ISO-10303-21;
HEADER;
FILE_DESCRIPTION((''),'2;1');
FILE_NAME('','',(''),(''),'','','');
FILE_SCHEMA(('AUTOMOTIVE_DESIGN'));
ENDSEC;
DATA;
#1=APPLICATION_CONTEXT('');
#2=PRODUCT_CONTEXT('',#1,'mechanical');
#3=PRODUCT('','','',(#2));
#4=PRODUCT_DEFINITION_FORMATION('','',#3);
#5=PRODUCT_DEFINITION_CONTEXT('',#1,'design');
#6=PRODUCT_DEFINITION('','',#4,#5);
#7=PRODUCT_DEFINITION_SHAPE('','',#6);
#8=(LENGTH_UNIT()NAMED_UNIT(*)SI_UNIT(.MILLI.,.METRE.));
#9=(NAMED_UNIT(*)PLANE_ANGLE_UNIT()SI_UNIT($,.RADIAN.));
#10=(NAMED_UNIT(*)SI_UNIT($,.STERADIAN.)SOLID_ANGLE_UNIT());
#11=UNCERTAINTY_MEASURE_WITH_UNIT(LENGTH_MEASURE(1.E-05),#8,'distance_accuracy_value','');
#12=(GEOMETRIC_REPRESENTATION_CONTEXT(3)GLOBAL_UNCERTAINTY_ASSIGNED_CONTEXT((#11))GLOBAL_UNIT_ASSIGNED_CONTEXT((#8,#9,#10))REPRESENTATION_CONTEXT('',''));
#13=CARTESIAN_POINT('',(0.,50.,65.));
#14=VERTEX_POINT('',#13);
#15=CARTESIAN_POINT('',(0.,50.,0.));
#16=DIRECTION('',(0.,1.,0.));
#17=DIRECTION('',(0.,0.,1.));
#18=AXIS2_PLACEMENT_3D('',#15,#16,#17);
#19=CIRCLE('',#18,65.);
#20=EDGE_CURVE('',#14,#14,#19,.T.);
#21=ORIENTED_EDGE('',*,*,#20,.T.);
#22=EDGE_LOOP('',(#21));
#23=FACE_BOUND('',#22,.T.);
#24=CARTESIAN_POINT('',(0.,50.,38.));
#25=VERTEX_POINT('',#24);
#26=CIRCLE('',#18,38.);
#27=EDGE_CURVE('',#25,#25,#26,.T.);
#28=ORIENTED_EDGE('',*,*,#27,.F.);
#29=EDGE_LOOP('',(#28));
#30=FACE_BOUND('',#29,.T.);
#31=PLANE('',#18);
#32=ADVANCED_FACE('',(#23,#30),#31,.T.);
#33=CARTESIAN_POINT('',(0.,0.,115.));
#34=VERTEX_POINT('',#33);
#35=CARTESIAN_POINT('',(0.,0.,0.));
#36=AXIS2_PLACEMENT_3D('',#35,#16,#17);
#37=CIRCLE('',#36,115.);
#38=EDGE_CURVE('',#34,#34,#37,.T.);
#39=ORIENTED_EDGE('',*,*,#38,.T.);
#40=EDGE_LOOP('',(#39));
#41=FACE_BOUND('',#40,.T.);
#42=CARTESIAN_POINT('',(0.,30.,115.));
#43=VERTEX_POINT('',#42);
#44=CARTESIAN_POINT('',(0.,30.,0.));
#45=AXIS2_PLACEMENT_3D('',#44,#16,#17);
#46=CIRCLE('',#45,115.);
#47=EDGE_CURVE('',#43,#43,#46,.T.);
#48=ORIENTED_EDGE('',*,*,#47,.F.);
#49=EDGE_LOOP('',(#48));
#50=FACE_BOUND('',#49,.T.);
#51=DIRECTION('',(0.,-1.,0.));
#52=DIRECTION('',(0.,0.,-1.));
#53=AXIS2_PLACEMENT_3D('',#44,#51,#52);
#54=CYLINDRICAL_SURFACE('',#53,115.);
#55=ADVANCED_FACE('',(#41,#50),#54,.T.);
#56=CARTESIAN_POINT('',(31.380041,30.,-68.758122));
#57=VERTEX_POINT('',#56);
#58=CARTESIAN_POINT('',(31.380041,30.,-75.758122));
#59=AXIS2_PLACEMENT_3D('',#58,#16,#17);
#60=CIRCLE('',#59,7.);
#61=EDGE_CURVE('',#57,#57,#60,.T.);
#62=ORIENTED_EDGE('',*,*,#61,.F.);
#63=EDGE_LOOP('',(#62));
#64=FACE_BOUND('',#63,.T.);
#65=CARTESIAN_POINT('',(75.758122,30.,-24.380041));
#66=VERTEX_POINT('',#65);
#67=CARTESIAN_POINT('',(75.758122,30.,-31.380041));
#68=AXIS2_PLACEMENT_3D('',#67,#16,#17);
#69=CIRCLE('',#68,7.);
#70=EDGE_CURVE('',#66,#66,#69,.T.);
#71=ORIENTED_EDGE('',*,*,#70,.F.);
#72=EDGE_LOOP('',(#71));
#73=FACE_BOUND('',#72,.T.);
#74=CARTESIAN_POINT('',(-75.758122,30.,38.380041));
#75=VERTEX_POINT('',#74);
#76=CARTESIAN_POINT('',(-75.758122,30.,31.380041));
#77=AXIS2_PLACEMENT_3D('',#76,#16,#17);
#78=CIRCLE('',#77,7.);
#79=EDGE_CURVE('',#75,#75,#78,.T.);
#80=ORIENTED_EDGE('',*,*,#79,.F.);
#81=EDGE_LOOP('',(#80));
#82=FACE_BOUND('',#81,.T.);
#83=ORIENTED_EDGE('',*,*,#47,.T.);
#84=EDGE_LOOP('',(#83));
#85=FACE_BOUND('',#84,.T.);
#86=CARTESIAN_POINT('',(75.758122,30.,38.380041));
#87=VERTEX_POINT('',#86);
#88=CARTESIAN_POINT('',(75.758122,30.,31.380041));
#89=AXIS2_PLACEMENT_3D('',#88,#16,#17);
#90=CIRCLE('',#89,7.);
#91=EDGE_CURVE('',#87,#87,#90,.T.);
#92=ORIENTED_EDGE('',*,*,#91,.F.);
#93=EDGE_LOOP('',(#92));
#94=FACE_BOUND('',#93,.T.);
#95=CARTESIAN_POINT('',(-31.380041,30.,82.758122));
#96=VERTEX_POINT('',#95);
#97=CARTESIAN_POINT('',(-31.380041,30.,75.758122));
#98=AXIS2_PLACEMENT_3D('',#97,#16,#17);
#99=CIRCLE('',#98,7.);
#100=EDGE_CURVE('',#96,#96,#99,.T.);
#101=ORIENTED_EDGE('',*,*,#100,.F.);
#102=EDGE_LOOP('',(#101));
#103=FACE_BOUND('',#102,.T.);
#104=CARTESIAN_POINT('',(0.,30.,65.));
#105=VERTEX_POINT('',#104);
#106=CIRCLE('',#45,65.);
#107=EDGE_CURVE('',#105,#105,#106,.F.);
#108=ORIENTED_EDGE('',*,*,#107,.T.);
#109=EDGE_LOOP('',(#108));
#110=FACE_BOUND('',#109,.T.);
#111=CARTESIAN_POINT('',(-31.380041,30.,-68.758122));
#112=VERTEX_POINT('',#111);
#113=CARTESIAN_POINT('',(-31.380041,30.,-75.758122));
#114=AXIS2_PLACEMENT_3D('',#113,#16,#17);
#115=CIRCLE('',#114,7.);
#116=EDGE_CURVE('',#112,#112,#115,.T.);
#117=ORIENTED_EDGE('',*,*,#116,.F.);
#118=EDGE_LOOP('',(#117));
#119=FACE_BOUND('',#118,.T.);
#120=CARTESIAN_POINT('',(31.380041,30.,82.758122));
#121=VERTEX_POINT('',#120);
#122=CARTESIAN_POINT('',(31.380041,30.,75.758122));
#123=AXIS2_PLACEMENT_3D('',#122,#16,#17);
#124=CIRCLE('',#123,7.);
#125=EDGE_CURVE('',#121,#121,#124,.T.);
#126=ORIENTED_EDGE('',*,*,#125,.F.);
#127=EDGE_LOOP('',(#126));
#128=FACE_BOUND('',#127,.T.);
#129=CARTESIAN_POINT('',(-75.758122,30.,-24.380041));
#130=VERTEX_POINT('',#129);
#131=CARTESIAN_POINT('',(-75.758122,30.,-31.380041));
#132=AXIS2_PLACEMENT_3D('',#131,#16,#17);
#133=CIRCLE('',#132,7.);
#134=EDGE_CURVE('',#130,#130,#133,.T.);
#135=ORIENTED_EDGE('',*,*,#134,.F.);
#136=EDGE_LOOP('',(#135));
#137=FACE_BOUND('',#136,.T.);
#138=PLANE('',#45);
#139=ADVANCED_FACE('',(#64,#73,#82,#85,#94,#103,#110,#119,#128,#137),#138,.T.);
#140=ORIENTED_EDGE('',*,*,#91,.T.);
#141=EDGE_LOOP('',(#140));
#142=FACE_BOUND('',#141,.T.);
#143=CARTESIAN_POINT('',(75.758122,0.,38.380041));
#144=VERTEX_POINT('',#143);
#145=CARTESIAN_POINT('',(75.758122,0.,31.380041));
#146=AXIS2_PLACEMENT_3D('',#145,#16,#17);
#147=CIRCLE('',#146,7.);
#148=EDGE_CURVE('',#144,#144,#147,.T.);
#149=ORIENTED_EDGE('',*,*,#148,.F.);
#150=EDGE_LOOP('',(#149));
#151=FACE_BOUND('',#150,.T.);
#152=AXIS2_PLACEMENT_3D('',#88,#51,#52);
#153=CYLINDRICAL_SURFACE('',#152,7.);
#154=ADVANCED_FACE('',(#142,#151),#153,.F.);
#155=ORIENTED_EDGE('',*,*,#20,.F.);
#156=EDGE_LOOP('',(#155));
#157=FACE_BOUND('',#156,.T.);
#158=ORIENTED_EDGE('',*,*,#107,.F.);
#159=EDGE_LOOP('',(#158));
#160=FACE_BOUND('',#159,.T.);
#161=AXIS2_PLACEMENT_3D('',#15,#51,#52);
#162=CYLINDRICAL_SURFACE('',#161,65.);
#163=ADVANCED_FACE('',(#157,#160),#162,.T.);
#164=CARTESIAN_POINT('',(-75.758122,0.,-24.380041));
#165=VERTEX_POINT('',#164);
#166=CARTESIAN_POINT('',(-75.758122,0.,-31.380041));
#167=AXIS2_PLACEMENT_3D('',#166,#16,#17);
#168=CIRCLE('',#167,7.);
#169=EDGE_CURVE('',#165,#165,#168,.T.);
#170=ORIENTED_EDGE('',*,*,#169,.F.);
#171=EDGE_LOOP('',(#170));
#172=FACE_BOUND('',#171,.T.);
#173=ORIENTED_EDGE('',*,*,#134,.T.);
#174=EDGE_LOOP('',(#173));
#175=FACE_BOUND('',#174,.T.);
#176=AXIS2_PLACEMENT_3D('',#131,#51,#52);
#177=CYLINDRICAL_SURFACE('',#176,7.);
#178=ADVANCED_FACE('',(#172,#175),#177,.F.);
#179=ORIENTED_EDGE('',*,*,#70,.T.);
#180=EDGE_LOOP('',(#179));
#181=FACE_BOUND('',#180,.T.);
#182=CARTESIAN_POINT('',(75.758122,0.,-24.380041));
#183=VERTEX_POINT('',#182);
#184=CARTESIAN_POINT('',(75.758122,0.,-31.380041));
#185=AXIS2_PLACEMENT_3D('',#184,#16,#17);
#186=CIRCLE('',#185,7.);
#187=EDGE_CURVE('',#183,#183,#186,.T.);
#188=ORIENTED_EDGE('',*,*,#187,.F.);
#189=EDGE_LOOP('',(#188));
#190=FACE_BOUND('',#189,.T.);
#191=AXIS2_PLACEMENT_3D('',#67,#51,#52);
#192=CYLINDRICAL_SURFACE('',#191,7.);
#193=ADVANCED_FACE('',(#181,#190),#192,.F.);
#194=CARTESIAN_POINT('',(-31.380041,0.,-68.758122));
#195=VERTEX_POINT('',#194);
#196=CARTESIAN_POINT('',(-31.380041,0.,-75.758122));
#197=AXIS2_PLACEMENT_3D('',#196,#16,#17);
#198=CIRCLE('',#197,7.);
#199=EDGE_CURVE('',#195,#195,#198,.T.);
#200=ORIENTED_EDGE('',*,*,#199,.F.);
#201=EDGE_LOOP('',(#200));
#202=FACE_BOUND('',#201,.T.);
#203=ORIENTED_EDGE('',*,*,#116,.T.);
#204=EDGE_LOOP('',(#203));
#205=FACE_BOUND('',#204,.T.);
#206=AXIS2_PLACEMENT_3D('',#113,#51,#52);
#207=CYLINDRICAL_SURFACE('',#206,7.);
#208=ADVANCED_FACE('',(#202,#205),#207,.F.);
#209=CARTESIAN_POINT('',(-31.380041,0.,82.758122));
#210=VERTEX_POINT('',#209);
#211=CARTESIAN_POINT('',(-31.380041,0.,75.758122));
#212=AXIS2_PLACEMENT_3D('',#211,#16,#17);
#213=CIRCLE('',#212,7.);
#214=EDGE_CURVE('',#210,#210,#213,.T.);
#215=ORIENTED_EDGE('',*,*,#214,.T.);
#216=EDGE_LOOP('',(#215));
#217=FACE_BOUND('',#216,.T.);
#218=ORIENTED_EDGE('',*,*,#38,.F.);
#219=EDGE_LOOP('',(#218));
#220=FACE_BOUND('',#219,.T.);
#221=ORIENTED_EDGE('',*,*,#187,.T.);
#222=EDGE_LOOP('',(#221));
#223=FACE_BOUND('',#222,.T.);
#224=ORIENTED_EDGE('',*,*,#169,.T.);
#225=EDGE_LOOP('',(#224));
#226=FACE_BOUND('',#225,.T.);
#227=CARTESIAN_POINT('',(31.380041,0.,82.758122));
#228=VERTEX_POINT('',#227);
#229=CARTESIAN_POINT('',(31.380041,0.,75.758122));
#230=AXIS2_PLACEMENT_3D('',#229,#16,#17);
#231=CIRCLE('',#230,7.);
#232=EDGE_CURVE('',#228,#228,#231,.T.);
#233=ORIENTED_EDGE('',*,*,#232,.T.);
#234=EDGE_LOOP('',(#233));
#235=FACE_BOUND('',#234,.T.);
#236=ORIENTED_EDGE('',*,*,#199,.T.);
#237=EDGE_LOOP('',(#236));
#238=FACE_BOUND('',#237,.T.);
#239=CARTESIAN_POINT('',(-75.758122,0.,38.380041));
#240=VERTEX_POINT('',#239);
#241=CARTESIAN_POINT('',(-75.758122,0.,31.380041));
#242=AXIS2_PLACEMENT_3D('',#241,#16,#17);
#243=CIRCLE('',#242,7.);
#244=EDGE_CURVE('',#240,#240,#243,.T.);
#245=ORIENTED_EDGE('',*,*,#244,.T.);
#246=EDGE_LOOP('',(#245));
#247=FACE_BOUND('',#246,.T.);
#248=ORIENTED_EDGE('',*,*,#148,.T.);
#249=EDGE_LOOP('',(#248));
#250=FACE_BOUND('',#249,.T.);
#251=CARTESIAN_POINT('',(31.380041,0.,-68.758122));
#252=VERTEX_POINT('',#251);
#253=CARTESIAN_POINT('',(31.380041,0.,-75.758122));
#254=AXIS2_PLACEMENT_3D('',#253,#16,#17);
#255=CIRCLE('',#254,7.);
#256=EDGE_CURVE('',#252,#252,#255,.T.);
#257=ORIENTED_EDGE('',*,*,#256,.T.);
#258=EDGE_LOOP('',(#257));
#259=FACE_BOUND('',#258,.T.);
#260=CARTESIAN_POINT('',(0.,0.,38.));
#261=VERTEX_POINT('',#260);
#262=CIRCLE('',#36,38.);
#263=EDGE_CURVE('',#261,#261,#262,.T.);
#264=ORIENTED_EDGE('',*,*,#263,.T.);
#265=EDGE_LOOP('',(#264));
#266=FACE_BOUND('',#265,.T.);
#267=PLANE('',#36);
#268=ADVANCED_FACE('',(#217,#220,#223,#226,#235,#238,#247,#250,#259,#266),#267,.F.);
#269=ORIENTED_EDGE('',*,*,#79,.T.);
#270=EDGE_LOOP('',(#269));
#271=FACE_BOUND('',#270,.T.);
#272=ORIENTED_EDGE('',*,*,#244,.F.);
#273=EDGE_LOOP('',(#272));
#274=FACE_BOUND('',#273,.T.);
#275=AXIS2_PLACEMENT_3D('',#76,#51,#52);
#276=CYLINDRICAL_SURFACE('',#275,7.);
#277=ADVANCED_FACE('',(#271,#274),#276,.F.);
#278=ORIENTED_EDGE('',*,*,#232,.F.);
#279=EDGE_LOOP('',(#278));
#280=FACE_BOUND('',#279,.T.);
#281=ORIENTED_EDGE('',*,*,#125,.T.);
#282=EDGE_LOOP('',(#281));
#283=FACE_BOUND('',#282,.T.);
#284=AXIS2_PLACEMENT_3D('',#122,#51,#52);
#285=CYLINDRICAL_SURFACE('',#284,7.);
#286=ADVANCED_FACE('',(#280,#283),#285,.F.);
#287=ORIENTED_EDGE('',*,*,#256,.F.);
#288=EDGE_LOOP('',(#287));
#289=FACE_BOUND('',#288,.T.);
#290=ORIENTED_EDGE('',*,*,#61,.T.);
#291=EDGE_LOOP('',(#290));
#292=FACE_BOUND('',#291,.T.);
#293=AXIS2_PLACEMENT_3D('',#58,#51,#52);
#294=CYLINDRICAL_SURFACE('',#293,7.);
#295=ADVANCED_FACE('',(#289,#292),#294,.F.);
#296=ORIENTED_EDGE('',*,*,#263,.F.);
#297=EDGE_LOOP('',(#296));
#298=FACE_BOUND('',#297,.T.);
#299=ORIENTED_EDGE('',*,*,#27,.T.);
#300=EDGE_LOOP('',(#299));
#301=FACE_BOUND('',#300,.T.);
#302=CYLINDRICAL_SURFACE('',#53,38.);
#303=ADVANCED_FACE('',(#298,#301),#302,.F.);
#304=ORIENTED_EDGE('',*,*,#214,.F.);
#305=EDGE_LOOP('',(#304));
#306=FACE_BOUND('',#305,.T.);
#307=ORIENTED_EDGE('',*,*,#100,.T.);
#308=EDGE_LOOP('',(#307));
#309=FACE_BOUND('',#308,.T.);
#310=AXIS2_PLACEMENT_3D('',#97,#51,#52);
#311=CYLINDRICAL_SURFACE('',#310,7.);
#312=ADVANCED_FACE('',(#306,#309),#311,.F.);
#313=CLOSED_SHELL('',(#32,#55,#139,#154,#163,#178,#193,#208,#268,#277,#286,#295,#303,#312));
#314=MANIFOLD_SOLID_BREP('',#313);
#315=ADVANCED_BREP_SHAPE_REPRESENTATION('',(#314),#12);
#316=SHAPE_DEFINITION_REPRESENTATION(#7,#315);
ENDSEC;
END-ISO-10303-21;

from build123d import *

# Parameters (mm, degrees)
F_01_FLANGE_PROFILE_R     = 115
F_01_FLANGE_PROFILE_R_2   = 38
F_01_FLANGE_PROFILE_R_3   = 7
F_01_FLANGE_EXTRUDE_DEPTH = 30
F_02_HUB_PROFILE_R        = 65
F_02_HUB_PROFILE_R_2      = 38
F_02_LOCATING_HUB_DEPTH   = 50


with BuildPart() as part:
    # 01_Flange_Profile → 01_Flange_Extrude (new body)
    with BuildSketch(Plane(origin=(0, 0, 0), x_dir=(1, 0, 0), z_dir=(0, 1, 0))):
        with Locations(Location((0, 0, 0), (0, 0, 270))):
            Circle(F_01_FLANGE_PROFILE_R)
        with Locations(Location((0, 0, 0), (0, 0, 270))):
            Circle(F_01_FLANGE_PROFILE_R_2, mode=Mode.SUBTRACT)
        with Locations(Location((75.758121666, 31.380041454, 0), (0, 0, 270))):
            Circle(F_01_FLANGE_PROFILE_R_3, mode=Mode.SUBTRACT)
        with Locations(Location((31.380041454, 75.758121666, 0), (0, 0, 270))):
            Circle(F_01_FLANGE_PROFILE_R_3, mode=Mode.SUBTRACT)
        with Locations(Location((-31.380041454, 75.758121666, 0), (0, 0, 270))):
            Circle(F_01_FLANGE_PROFILE_R_3, mode=Mode.SUBTRACT)
        with Locations(Location((-75.758121666, 31.380041454, 0), (0, 0, 270))):
            Circle(F_01_FLANGE_PROFILE_R_3, mode=Mode.SUBTRACT)
        with Locations(Location((-75.758121666, -31.380041454, 0), (0, 0, 270))):
            Circle(F_01_FLANGE_PROFILE_R_3, mode=Mode.SUBTRACT)
        with Locations(Location((-31.380041454, -75.758121666, 0), (0, 0, 270))):
            Circle(F_01_FLANGE_PROFILE_R_3, mode=Mode.SUBTRACT)
        with Locations(Location((31.380041454, -75.758121666, 0), (0, 0, 270))):
            Circle(F_01_FLANGE_PROFILE_R_3, mode=Mode.SUBTRACT)
        with Locations(Location((75.758121666, -31.380041454, 0), (0, 0, 270))):
            Circle(F_01_FLANGE_PROFILE_R_3, mode=Mode.SUBTRACT)
    extrude(amount=F_01_FLANGE_EXTRUDE_DEPTH)

    # 02_Hub_Profile → 02_Locating_Hub (add)
    with BuildSketch(Plane(origin=(0, 0, 0), x_dir=(1, 0, 0), z_dir=(0, 1, 0))):
        with Locations(Location((0, 0, 0), (0, 0, 270))):
            Circle(F_02_HUB_PROFILE_R)
        with Locations(Location((0, 0, 0), (0, 0, 270))):
            Circle(F_02_HUB_PROFILE_R_2, mode=Mode.SUBTRACT)
    extrude(amount=F_02_LOCATING_HUB_DEPTH)


solid = part.part
